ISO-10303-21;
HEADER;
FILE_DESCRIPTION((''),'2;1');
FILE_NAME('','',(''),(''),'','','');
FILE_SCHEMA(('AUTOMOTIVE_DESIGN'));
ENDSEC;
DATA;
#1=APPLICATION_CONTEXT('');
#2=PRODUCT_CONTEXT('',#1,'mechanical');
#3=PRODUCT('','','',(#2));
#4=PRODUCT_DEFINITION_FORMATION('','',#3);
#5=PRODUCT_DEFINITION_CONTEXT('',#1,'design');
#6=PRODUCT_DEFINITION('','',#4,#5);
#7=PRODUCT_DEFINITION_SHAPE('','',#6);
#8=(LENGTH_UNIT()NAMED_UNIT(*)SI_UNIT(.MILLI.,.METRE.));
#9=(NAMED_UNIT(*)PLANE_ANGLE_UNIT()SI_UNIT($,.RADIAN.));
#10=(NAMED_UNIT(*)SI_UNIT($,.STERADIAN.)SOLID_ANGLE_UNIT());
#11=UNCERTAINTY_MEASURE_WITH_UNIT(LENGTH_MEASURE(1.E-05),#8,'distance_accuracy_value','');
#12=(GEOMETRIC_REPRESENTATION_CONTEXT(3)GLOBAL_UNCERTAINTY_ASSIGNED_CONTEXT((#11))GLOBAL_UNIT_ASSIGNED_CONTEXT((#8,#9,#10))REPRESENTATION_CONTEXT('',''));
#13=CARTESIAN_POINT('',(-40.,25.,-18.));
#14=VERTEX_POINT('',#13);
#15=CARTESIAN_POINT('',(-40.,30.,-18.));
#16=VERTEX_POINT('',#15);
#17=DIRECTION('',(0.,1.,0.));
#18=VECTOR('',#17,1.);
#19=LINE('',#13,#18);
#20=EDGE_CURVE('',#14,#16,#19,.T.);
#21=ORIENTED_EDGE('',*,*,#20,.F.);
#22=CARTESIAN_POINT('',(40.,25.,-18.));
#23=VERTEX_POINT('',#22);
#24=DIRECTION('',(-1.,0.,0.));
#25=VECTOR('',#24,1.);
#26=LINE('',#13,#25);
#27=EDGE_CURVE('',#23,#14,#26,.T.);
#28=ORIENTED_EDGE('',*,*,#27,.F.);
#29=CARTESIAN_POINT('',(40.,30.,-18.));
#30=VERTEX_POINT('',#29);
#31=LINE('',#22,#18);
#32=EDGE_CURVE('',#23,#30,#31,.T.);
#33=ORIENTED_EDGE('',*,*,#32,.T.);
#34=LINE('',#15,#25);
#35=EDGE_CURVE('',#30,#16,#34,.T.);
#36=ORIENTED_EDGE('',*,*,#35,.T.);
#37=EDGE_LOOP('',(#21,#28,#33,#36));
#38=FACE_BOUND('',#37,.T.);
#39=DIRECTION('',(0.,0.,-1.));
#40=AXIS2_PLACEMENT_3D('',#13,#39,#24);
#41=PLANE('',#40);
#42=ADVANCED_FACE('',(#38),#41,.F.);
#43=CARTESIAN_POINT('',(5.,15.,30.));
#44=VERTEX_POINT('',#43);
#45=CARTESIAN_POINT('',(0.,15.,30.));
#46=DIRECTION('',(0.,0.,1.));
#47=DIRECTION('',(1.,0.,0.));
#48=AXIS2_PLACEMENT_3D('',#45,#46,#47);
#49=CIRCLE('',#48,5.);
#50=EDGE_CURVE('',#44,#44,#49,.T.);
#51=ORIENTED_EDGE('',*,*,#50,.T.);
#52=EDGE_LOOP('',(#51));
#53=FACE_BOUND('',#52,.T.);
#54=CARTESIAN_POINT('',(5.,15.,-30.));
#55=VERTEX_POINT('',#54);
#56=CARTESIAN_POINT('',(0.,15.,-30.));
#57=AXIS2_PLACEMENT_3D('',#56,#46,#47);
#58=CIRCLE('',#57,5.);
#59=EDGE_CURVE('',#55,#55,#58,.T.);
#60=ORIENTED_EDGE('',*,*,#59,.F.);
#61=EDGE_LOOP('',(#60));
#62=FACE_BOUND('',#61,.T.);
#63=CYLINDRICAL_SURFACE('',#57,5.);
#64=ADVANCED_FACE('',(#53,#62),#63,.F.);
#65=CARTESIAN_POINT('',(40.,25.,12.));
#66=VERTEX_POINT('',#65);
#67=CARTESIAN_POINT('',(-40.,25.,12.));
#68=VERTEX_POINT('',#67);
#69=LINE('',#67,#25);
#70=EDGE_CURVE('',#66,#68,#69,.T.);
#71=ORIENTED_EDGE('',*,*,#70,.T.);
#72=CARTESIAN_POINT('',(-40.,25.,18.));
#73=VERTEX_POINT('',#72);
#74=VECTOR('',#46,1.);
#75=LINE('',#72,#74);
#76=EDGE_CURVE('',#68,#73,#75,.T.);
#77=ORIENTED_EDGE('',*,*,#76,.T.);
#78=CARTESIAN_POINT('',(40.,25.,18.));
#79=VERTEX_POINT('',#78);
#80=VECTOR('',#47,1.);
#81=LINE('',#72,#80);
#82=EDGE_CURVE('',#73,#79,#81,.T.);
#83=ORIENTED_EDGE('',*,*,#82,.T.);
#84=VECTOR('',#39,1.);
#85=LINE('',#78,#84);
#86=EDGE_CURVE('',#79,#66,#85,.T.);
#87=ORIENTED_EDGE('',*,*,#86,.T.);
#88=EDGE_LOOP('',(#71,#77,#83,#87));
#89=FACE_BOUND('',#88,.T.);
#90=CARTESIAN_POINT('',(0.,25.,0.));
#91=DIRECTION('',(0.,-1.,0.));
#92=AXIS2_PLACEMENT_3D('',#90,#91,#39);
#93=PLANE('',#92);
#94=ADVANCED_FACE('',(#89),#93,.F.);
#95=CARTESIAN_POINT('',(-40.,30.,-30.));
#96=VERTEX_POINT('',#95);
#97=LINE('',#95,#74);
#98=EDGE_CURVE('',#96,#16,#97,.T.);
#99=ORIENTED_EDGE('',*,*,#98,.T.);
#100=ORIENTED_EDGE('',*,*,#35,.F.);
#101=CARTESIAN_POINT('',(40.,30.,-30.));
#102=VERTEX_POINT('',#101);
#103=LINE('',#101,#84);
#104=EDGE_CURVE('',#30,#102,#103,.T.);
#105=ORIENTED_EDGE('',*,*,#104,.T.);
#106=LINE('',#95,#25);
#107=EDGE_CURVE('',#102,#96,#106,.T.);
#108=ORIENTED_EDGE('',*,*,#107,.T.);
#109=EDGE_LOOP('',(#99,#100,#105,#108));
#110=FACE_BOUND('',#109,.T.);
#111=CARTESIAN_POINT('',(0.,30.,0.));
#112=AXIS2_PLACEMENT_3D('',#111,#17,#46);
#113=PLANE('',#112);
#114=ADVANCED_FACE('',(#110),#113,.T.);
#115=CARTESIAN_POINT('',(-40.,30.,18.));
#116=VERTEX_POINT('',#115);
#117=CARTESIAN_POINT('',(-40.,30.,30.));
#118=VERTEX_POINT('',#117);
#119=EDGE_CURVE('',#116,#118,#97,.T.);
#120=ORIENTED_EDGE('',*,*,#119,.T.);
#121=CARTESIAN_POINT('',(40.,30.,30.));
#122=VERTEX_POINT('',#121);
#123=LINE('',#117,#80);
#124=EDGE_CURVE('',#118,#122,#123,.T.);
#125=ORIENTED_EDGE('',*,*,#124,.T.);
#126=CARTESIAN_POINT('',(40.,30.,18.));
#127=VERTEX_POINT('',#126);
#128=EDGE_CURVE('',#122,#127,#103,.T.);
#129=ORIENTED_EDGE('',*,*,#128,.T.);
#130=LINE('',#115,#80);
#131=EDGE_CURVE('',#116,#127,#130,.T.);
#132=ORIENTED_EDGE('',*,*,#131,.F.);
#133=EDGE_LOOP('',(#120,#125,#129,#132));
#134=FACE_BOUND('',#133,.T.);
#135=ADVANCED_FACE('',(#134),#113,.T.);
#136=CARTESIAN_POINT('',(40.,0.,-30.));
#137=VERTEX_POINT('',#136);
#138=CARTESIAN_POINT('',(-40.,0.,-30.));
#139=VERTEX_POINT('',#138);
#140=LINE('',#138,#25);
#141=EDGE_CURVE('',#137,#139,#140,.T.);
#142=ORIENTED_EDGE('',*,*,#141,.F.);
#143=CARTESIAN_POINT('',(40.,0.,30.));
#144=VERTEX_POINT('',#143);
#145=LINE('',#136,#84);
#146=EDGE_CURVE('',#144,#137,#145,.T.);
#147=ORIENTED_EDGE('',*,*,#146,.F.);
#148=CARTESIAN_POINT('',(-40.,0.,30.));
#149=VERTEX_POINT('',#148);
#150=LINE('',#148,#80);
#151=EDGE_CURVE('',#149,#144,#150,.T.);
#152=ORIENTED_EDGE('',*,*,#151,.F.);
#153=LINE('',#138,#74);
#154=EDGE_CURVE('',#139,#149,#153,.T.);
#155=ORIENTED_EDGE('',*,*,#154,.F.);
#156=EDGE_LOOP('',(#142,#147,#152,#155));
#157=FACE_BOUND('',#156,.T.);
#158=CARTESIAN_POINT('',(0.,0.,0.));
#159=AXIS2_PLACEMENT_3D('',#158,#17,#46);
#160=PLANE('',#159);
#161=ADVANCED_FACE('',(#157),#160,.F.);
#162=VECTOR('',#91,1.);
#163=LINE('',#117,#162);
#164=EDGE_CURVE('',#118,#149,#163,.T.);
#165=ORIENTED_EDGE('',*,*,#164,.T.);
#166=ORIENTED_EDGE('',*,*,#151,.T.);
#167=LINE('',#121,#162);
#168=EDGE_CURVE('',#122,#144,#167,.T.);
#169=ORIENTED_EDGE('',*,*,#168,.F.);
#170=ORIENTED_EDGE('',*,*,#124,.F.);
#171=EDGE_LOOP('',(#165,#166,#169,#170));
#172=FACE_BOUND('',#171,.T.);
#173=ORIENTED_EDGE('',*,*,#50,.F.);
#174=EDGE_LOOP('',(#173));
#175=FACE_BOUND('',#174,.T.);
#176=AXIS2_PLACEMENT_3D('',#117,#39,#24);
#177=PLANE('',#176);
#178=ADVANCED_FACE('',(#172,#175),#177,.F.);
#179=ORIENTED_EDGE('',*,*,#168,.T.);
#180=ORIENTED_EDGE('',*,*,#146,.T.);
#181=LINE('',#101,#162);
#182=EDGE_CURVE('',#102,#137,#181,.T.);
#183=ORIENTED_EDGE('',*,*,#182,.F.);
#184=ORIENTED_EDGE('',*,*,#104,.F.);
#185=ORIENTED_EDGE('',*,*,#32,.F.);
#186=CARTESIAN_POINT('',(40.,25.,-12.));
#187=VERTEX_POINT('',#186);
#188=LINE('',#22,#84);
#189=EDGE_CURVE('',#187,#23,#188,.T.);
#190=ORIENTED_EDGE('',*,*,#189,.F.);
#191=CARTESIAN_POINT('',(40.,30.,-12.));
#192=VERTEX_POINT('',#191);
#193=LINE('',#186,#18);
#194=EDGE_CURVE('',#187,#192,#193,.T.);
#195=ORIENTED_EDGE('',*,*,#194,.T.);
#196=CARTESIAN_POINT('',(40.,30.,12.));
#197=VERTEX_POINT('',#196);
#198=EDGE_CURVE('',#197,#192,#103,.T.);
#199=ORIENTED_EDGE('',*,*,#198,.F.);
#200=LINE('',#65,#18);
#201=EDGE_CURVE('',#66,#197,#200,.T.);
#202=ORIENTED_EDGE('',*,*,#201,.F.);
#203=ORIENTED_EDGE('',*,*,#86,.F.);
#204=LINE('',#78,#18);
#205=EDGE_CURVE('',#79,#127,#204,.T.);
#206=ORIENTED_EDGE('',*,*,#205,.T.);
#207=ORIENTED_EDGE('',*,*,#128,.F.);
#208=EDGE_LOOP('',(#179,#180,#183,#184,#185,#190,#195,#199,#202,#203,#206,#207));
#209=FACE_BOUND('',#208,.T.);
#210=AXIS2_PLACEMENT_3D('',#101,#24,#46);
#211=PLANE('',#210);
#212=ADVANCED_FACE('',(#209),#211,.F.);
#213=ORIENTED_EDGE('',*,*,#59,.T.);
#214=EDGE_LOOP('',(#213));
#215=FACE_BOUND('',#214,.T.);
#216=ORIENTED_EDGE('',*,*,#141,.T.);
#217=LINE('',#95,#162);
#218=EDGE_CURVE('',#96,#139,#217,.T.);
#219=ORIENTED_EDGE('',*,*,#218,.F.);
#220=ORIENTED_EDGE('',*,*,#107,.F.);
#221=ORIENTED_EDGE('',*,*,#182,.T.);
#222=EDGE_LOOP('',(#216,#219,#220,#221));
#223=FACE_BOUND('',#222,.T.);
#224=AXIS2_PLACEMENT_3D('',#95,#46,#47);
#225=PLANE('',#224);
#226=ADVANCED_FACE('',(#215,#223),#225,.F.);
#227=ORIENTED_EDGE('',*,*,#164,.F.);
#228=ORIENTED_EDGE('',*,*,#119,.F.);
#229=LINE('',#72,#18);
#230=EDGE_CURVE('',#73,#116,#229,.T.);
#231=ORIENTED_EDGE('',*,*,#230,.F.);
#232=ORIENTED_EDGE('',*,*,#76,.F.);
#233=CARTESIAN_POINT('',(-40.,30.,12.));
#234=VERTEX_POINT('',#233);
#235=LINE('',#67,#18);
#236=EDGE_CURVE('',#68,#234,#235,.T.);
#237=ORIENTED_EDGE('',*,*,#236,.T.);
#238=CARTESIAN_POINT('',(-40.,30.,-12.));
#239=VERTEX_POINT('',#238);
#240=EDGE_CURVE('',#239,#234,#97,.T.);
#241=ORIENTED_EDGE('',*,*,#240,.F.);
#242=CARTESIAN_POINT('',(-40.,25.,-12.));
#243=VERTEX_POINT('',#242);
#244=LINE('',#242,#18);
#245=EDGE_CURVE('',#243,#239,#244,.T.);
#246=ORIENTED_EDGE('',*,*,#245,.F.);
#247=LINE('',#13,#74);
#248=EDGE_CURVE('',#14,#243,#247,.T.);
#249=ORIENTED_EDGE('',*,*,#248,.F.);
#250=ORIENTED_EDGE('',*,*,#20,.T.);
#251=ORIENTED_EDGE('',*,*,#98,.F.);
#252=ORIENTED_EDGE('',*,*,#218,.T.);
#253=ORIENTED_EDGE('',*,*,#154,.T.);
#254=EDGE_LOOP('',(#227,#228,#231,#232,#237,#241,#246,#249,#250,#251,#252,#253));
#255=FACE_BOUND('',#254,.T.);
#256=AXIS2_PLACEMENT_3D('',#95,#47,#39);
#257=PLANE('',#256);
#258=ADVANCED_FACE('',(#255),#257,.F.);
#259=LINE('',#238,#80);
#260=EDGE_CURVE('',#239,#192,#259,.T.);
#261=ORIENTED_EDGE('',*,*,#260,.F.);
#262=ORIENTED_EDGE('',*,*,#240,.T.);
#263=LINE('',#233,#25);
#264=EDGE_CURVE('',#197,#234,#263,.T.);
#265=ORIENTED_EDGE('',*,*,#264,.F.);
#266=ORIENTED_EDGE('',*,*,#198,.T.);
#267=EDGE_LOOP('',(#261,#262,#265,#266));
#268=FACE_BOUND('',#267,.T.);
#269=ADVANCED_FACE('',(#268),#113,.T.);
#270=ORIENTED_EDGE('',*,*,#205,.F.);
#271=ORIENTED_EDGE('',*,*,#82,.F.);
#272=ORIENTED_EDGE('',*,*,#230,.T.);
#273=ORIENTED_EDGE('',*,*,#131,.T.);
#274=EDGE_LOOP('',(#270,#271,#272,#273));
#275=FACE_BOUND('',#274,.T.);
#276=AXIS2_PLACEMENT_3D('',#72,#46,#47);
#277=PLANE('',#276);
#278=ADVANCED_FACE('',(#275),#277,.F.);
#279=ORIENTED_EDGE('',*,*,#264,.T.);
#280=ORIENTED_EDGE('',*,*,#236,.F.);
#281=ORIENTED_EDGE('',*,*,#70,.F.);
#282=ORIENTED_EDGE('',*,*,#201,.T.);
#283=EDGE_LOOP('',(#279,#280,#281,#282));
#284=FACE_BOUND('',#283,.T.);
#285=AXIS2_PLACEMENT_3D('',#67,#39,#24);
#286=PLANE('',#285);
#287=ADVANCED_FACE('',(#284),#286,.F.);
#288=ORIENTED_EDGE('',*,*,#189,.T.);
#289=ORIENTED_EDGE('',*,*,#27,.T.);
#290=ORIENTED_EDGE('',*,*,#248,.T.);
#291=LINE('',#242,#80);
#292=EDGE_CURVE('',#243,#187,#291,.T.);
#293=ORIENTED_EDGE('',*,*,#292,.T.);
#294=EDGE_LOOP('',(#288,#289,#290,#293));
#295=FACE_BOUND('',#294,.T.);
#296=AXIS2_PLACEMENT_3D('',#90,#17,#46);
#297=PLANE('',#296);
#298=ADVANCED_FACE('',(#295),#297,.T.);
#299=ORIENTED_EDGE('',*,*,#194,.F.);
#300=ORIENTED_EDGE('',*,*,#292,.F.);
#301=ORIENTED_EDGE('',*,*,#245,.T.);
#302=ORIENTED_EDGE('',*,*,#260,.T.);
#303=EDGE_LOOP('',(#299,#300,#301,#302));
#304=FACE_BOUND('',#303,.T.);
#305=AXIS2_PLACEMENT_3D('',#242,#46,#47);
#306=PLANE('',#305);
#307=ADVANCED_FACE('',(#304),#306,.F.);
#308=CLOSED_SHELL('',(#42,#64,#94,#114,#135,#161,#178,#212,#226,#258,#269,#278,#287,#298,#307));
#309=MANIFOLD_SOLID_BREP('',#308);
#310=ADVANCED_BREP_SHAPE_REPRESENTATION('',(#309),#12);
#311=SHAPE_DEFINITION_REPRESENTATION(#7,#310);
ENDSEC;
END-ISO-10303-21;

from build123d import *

# Parameters (mm, degrees)
SKETCH_1_W          = 80
SKETCH_1_H          = 60
EXTRUDE_1_DEPTH     = 30
SKETCH_2_R          = 5
CUT_EXTRUDE_1_DEPTH = 61
SKETCH_3_W          = 80
SKETCH_3_H          = 6
CUT_EXTRUDE_2_DEPTH = 5


with BuildPart() as part:
    # 草图1 → 凸台-拉伸1 (new body)
    with BuildSketch(Plane(origin=(0, 0, 0), x_dir=(1, 0, 0), z_dir=(0, 1, 0))):
        Rectangle(SKETCH_1_W, SKETCH_1_H)
    extrude(amount=EXTRUDE_1_DEPTH)

    # 草图2 → 切除-拉伸1 (cut, through all)
    with BuildSketch(Plane.XY.offset(30)):
        with Locations((0, 15)):
            Circle(SKETCH_2_R)
    extrude(amount=-CUT_EXTRUDE_1_DEPTH, mode=Mode.SUBTRACT)

    # 草图3 → 切除-拉伸2 (cut)
    with BuildSketch(Plane(origin=(0, 30, 0), x_dir=(1, 0, 0), z_dir=(0, 1, 0))):
        with Locations((0, 15)):
            Rectangle(SKETCH_3_W, SKETCH_3_H)
        with Locations((0, -15)):
            Rectangle(SKETCH_3_W, SKETCH_3_H)
    extrude(amount=-CUT_EXTRUDE_2_DEPTH, mode=Mode.SUBTRACT)


solid = part.part
